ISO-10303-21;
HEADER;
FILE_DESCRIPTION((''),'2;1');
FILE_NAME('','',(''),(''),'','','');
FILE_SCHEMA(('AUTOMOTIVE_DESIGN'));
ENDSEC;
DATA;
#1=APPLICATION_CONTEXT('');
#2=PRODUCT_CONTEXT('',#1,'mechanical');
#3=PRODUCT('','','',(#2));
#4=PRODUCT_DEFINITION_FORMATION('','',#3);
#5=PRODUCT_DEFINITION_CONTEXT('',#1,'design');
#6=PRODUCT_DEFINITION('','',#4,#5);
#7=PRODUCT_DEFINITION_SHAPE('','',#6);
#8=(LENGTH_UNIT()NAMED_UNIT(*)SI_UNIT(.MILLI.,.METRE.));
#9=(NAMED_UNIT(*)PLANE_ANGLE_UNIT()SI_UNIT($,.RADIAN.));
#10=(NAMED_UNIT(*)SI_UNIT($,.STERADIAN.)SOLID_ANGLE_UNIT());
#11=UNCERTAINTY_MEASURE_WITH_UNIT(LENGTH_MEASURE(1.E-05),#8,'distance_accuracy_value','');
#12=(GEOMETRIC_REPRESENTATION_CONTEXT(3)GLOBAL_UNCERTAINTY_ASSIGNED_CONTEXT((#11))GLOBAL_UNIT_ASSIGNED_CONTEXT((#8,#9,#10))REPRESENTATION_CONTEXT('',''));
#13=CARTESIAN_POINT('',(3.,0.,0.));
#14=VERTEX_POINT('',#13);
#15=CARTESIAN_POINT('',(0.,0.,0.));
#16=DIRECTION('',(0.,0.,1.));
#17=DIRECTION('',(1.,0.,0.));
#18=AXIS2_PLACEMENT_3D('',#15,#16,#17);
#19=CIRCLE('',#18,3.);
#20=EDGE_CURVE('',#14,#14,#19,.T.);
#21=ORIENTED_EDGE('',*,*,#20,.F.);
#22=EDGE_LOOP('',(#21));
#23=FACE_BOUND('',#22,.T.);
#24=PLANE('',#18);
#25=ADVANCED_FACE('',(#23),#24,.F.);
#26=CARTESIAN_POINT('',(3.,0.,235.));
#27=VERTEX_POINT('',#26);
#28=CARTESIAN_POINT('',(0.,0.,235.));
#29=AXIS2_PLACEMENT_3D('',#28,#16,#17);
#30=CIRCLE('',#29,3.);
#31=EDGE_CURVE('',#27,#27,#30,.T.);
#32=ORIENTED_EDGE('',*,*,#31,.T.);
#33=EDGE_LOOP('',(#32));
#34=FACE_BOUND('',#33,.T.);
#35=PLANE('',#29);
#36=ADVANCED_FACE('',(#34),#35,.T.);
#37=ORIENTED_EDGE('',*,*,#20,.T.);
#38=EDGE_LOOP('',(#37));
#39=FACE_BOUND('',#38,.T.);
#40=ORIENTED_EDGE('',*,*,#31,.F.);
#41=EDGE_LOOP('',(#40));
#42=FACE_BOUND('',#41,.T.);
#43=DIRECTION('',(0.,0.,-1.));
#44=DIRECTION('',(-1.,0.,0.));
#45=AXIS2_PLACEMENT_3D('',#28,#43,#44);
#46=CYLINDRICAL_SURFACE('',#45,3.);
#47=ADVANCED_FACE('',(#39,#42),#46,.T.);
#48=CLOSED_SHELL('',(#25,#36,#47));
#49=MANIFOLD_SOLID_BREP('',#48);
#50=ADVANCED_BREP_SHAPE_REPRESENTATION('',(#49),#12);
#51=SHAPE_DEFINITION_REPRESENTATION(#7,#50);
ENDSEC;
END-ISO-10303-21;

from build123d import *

# Parameters (mm, degrees)
SKETCH1_R           = 3
BOSS_EXTRUDE1_DEPTH = 235


with BuildPart() as part:
    # Sketch1 → Boss-Extrude1 (new body)
    with BuildSketch(Plane.XY):
        Circle(SKETCH1_R)
    extrude(amount=BOSS_EXTRUDE1_DEPTH)


solid = part.part
